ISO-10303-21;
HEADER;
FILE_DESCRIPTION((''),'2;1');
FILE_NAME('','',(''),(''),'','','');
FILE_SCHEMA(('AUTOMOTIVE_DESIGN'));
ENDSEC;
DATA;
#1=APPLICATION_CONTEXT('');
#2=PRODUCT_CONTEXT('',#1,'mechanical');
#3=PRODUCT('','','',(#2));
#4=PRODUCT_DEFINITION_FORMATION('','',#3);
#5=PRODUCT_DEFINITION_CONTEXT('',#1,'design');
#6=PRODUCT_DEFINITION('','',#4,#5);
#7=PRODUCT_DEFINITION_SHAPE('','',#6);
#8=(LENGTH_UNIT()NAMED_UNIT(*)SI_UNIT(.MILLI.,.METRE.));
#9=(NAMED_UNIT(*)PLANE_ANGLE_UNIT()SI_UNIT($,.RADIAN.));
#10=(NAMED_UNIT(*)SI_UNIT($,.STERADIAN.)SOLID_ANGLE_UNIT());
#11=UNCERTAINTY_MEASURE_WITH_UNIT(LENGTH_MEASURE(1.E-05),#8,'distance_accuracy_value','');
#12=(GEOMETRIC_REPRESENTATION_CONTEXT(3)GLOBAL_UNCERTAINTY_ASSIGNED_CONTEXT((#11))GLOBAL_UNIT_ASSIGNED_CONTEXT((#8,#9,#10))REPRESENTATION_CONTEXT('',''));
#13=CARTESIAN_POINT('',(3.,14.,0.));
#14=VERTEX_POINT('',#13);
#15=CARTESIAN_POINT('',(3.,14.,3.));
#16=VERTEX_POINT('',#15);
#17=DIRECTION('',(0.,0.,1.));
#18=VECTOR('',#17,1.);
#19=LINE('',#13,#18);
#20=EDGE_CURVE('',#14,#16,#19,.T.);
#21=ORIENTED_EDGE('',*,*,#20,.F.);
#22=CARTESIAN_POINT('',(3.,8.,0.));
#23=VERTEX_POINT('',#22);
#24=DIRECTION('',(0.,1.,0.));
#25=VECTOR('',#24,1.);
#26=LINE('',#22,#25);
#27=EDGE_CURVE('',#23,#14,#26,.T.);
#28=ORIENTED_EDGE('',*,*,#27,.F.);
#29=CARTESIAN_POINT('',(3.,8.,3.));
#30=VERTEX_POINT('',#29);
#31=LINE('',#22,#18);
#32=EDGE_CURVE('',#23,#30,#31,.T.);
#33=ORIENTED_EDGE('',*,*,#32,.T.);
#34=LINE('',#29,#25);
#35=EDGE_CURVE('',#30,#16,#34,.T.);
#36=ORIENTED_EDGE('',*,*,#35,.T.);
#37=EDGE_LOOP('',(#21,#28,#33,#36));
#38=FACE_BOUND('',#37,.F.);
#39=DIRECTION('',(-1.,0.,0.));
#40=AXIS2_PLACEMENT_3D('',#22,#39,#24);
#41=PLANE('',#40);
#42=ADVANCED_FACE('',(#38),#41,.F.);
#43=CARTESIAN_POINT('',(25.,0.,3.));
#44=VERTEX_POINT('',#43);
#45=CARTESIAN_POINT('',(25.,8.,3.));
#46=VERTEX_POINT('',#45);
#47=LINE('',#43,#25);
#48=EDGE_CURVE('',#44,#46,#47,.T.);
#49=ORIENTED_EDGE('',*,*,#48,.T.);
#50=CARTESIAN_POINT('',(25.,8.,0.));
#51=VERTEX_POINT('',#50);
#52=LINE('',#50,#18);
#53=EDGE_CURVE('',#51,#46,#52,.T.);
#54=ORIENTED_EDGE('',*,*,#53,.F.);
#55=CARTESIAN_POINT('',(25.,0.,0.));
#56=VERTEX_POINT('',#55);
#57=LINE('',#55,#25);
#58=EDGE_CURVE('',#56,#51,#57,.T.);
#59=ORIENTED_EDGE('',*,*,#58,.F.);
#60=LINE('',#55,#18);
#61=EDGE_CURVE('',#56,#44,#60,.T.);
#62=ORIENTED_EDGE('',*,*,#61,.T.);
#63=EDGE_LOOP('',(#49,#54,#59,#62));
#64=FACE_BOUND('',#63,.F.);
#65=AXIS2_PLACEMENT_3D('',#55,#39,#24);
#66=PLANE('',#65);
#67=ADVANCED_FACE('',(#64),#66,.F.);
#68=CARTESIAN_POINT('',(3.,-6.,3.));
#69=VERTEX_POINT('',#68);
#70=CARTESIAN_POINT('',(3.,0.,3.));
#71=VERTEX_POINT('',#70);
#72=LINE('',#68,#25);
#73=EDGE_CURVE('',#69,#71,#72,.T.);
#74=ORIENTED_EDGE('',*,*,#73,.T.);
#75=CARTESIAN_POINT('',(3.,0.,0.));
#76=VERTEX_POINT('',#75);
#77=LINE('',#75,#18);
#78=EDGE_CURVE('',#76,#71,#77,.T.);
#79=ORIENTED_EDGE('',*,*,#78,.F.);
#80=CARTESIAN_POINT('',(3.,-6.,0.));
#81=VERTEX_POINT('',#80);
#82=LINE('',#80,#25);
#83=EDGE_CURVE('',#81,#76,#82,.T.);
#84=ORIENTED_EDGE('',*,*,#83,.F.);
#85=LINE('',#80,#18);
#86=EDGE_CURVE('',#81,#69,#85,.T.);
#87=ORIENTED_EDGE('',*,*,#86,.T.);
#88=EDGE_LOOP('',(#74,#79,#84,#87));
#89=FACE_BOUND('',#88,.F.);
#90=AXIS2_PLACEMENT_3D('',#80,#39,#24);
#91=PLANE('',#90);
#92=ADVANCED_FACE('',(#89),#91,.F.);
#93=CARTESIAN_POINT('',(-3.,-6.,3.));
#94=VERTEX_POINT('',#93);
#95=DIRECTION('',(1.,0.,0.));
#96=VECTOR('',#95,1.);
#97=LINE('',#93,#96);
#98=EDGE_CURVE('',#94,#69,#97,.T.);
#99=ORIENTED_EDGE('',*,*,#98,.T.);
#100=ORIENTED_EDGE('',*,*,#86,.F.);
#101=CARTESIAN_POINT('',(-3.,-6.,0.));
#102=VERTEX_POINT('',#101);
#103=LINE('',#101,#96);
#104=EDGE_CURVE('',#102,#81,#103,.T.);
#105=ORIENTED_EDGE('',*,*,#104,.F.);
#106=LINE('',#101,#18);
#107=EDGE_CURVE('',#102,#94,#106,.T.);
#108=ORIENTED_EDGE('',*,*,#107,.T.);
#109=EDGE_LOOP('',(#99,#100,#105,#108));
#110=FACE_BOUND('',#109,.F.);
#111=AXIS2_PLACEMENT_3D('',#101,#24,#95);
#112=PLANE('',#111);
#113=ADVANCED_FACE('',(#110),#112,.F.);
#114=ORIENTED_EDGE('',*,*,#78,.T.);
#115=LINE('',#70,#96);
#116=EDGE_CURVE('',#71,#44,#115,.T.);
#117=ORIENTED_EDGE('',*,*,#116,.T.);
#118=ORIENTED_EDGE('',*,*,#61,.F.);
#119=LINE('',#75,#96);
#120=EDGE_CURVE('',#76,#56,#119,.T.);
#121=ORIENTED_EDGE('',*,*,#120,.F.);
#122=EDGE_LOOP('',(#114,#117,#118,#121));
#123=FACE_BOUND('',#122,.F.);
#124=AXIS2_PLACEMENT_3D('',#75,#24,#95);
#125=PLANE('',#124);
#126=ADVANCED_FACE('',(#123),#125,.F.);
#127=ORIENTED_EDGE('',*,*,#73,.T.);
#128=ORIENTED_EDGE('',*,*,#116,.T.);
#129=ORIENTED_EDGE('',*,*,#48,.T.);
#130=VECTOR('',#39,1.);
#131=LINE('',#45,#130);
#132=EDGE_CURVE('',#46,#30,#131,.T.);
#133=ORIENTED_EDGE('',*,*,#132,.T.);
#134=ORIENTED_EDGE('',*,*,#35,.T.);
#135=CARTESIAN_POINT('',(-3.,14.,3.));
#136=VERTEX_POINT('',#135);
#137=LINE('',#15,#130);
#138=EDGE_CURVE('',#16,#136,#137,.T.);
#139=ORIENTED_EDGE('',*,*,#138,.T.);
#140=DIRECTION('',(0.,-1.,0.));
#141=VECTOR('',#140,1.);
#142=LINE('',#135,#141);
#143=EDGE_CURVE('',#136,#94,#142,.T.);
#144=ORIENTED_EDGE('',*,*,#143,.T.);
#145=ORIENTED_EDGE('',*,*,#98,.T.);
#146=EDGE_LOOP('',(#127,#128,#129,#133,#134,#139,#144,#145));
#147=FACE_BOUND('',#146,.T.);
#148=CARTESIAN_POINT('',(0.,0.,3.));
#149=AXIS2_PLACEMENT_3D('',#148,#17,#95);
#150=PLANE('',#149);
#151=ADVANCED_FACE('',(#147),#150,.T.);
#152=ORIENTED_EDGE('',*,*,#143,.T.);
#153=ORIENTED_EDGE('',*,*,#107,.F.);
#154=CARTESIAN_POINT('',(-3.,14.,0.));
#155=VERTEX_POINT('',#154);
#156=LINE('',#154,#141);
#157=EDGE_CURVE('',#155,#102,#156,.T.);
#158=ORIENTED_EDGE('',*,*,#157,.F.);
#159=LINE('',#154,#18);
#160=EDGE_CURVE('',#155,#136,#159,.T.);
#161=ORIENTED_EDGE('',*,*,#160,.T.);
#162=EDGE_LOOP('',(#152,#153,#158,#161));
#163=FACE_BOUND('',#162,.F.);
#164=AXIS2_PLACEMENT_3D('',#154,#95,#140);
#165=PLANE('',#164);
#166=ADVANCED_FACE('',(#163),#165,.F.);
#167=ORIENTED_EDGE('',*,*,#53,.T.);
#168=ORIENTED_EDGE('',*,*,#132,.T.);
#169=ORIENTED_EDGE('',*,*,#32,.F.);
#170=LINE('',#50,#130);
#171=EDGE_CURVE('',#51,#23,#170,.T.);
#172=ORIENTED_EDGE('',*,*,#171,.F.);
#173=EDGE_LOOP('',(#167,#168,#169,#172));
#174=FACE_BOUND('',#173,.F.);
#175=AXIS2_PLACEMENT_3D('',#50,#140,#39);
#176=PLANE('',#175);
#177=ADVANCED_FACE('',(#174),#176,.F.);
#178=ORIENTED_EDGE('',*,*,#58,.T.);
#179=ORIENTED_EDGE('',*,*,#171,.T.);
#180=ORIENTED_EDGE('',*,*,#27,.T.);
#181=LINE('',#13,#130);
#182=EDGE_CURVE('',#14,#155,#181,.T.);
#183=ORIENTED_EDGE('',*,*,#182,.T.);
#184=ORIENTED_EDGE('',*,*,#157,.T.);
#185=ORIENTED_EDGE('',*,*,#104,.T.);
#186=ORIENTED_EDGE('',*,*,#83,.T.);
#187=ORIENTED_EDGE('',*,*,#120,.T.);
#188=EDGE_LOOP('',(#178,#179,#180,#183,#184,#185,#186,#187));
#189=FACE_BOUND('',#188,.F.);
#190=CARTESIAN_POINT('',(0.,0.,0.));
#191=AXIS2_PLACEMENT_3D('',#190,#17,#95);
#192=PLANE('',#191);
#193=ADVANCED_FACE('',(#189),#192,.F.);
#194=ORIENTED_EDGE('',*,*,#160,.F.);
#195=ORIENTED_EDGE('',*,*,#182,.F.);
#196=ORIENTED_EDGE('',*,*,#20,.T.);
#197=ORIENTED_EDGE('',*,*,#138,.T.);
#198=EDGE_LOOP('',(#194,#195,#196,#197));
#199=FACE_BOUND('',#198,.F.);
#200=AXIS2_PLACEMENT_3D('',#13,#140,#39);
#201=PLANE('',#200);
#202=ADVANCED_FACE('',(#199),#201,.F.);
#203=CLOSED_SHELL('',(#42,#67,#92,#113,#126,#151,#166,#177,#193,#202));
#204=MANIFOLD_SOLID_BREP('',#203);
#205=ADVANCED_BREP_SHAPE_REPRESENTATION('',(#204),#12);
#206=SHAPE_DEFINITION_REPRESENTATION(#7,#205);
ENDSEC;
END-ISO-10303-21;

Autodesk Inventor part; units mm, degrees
ref_plane "YZ Plane" through (0, 0, 0) normal (1, 0, 0) x (0, 1, 0)
ref_plane "XZ Plane" through (0, 0, 0) normal (0, 1, 0) x (-1, 0, 0)
ref_plane "XY Plane" through (0, 0, 0) normal (0, 0, 1) x (1, 0, 0)
sketch "Sketch1" plane through (0, 0, 0) normal (0, 0, 1) x (1, 0, 0)
  line L0 (0, 0) -> (3, 0) construction
  line L1 (25, 0) -> (25, 8)
  line L2 (25, 8) -> (3, 8)
  line L3 (0, 8) -> (0, 0) construction
  line L4 (-3, -6) -> (3, -6)
  line L5 (3, -6) -> (3, 0)
  line L6 (3, 14) -> (-3, 14)
  line L7 (-3, 14) -> (-3, -6)
  line L8 (-3, -6) -> (3, 14) construction
  line L9 (3, -6) -> (-3, 14) construction
  line L10 (3, 8) -> (3, 14)
  line L11 (3, 0) -> (3, 8) construction
  line L12 (3, 8) -> (0, 8) construction
  line L13 (3, 0) -> (25, 0)
  point P0 (0, 4)
  dimension "d0" = 25
  dimension "d1" = 8
  dimension "d2" = 6
  dimension "d3" = 20
extrude "Extrusion1" add sketch "Sketch1" along normal blind 3
properties part number "Select Holding Pins"
